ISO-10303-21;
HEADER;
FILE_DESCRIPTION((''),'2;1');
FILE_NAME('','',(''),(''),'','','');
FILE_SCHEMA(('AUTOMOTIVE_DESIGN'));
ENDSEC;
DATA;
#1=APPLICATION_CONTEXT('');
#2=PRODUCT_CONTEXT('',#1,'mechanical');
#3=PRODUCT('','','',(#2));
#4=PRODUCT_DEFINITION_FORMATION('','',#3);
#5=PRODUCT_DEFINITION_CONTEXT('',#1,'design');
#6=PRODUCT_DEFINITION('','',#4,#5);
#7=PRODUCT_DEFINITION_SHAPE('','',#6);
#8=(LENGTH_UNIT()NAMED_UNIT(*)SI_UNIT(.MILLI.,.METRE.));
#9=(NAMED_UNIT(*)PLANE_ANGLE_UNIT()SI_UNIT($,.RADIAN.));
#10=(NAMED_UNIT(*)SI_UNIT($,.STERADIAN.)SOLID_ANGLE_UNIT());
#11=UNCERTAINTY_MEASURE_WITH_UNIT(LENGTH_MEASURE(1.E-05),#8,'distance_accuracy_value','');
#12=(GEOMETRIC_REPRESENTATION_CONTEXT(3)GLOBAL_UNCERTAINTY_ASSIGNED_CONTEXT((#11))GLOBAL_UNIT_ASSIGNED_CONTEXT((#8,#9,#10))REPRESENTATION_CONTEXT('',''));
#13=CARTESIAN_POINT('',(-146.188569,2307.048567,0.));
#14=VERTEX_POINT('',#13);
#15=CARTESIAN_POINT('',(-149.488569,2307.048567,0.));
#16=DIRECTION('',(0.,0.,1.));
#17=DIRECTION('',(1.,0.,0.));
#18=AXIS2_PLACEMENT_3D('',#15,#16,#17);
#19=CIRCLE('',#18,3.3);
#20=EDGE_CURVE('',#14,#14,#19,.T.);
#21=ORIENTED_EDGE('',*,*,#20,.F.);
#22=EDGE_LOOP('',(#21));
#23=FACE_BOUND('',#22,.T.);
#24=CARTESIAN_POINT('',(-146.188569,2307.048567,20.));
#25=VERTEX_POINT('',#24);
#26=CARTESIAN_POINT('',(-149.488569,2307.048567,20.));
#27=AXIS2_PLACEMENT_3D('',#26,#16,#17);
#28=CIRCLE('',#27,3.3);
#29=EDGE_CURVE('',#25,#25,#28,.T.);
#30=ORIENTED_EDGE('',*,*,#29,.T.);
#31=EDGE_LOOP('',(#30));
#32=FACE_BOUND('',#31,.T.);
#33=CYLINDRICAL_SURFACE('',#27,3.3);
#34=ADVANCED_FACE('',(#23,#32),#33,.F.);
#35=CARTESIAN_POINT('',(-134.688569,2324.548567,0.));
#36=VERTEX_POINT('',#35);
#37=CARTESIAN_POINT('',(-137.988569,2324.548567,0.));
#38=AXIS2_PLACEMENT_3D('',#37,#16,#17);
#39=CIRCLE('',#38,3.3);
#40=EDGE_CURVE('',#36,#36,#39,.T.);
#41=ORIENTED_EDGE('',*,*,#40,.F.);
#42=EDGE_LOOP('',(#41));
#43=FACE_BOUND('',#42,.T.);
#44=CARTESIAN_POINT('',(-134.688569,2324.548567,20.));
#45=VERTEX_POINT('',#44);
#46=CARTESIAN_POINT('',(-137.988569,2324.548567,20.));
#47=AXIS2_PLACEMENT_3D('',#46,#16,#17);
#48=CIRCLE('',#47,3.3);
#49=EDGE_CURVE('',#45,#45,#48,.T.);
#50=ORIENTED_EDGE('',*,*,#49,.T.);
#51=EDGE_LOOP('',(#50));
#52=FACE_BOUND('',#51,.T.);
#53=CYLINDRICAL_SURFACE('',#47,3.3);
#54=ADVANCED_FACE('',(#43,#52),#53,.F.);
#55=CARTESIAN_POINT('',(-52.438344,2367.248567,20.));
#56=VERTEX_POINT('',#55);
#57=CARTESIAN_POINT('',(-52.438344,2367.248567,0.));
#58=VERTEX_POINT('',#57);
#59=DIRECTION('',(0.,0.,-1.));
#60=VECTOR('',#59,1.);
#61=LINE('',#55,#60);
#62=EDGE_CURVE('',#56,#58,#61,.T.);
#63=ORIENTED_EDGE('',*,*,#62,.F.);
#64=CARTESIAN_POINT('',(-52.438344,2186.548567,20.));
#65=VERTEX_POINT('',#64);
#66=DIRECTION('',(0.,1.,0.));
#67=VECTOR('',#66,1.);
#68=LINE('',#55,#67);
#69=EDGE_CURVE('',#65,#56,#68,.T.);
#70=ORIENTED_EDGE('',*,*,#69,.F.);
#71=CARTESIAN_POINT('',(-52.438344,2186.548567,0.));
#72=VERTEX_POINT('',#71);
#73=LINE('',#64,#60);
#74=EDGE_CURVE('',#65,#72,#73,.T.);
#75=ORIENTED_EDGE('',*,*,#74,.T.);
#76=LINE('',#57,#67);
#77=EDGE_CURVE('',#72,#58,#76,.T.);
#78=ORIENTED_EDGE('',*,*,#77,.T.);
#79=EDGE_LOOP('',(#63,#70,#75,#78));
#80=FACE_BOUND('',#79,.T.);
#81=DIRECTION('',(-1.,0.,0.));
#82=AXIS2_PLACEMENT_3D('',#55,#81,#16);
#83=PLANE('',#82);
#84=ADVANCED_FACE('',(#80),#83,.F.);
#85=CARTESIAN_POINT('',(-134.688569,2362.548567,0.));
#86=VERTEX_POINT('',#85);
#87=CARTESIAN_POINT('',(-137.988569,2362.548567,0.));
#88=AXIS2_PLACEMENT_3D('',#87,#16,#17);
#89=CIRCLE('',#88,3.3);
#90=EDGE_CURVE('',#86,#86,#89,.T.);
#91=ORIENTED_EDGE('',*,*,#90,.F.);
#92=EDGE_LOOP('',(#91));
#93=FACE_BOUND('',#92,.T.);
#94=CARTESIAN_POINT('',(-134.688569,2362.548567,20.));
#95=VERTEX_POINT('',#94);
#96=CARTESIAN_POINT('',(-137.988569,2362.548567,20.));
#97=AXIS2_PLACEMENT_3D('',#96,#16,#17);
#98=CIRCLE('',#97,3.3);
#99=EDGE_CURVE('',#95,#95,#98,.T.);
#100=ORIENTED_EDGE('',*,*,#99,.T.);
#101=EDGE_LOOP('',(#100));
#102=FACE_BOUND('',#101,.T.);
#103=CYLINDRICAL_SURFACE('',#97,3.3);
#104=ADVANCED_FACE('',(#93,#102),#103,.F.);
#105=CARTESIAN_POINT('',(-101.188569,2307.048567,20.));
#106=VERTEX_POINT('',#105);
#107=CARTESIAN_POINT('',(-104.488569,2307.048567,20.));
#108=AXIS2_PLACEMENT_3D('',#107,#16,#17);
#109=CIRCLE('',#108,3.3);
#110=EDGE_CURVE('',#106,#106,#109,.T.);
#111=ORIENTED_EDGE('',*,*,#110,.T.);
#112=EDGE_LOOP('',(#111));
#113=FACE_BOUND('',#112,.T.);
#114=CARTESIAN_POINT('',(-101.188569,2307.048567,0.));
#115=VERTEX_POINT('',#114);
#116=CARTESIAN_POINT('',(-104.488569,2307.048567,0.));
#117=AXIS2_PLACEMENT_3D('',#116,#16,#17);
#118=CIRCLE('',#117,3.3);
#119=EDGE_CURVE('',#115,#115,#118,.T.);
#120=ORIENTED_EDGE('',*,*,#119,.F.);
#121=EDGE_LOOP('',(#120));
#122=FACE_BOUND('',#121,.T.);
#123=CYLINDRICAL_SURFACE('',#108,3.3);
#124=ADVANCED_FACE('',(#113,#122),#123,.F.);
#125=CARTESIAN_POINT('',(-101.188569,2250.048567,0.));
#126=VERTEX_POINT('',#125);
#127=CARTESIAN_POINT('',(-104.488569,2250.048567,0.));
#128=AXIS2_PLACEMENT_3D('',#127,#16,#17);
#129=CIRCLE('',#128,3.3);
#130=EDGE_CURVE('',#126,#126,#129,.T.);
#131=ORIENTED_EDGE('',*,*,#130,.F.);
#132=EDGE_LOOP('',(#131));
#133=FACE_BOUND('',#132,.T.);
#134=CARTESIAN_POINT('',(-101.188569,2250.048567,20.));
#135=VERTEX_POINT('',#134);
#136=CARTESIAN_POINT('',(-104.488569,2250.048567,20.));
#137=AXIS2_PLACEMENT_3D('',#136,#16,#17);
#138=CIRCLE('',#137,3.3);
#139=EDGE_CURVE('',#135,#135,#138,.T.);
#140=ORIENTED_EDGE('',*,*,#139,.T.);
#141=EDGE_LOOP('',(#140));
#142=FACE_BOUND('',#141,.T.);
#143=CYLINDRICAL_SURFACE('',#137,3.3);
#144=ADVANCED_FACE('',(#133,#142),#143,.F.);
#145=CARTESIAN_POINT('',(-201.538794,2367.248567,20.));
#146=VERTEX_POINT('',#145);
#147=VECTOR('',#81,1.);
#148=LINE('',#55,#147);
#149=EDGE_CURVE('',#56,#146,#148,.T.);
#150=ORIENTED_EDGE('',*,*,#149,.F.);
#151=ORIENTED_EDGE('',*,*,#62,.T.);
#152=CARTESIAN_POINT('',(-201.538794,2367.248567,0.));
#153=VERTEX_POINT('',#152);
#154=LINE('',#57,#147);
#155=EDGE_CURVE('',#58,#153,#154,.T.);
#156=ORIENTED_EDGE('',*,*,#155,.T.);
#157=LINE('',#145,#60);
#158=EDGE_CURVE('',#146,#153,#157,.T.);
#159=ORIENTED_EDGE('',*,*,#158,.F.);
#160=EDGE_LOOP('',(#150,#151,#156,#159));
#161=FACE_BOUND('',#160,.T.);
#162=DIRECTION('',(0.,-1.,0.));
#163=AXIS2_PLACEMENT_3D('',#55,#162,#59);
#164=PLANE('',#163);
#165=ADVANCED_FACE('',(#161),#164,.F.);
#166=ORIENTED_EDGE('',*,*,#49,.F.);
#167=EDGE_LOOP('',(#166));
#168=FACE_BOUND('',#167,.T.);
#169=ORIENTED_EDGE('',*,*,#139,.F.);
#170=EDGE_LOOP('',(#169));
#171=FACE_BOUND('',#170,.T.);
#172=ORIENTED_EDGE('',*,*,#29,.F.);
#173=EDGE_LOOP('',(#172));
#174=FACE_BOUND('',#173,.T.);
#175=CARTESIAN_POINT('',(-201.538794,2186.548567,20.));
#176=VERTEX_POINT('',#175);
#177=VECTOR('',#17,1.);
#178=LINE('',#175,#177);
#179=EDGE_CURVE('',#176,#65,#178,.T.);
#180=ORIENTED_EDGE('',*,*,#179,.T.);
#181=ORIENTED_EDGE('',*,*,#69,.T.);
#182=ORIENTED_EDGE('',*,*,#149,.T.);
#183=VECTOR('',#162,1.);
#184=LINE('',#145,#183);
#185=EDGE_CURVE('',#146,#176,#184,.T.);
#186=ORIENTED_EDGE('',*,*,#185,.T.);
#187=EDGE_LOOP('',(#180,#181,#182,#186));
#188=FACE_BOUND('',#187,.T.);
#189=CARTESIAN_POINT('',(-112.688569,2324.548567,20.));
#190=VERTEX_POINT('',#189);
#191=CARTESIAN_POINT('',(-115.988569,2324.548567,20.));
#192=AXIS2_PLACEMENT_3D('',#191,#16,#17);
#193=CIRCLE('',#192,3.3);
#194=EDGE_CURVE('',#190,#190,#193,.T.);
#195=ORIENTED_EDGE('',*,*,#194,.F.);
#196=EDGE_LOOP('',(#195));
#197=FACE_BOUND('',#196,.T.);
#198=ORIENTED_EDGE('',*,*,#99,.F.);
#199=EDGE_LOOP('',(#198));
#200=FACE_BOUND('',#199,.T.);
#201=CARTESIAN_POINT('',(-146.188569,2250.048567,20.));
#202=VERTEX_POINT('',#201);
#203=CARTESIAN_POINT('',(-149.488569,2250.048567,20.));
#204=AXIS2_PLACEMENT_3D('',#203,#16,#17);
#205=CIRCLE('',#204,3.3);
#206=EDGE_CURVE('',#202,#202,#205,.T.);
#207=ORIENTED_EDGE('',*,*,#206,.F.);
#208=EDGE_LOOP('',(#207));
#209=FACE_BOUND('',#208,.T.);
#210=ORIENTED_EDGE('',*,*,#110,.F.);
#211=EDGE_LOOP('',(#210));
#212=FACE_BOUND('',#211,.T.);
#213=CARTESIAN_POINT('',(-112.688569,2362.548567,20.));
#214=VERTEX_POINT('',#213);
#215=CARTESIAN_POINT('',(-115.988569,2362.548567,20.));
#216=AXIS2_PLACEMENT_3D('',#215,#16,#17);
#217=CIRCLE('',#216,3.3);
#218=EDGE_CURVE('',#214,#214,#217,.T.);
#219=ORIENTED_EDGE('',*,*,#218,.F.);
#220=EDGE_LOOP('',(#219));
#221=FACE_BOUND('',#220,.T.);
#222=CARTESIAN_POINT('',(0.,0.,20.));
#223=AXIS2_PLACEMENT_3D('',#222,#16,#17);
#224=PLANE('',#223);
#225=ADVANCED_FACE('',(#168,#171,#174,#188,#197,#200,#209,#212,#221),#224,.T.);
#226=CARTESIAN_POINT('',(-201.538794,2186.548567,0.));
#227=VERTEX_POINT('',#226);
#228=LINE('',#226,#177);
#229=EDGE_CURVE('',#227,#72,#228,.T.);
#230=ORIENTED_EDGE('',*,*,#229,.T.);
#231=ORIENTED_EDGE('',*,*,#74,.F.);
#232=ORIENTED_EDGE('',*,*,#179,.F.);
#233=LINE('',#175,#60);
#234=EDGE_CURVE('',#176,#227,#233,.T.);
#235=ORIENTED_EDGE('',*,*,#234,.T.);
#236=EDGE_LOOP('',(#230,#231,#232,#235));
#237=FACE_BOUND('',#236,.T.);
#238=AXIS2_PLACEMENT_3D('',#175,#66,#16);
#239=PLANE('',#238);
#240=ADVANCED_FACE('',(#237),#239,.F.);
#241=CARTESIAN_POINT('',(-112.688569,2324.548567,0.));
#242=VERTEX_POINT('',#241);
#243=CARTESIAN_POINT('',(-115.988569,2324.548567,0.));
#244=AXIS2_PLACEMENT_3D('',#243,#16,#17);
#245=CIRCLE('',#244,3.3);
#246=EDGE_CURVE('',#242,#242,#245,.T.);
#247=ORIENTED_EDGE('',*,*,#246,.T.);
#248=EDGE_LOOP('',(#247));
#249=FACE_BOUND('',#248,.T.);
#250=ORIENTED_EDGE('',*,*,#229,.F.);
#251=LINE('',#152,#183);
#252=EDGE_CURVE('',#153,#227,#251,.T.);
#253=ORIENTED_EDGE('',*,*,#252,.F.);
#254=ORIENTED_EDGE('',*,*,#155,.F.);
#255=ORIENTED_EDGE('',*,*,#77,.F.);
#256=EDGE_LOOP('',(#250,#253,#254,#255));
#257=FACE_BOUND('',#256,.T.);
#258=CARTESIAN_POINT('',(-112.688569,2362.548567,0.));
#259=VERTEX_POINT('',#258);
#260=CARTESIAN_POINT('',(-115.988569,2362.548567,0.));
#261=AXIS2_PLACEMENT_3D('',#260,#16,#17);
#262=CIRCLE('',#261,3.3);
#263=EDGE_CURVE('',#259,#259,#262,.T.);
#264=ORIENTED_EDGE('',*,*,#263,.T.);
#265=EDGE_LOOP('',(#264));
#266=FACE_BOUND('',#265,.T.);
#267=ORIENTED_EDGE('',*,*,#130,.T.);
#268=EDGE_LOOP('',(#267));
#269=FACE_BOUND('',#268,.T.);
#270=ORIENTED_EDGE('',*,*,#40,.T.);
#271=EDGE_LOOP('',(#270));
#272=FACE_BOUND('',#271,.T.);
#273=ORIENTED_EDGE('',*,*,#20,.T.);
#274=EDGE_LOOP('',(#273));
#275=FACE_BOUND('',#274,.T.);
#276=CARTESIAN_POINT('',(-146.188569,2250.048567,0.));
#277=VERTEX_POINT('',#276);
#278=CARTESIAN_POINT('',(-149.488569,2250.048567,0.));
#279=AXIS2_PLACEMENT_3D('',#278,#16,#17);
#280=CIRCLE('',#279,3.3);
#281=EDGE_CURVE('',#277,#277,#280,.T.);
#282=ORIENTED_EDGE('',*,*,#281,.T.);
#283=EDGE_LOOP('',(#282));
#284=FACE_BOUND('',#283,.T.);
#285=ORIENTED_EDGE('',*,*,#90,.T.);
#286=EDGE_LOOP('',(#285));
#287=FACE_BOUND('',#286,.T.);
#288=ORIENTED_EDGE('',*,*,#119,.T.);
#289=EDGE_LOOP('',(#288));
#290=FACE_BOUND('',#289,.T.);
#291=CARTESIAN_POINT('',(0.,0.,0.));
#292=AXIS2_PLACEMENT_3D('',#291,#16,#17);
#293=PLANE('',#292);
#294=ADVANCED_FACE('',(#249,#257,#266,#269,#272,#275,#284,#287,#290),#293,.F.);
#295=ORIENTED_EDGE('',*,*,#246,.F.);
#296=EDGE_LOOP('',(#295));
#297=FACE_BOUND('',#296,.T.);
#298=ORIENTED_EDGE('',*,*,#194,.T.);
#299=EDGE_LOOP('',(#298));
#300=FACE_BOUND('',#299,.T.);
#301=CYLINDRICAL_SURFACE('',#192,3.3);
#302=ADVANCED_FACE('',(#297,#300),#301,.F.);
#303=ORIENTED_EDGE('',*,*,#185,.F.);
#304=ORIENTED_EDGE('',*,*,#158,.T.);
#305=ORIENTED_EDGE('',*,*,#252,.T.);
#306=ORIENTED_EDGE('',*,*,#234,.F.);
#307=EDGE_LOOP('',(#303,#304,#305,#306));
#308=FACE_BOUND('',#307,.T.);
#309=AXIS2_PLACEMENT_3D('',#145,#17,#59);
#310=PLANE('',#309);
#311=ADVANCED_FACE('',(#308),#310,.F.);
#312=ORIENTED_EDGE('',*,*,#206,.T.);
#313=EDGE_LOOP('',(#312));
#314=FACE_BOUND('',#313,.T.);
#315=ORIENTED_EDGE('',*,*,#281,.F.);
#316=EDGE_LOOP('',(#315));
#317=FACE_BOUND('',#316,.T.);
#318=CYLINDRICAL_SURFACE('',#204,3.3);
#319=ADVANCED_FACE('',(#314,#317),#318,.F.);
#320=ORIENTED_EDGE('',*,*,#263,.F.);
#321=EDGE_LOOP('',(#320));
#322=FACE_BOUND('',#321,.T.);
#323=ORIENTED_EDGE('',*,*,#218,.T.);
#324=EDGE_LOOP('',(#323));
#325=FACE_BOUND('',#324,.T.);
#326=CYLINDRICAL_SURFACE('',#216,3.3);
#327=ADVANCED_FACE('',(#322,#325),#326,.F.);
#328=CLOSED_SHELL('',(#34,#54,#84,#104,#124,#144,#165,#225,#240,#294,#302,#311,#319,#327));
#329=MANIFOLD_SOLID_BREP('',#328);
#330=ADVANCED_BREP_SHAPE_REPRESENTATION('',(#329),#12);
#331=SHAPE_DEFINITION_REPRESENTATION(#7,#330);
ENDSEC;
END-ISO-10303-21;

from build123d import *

# Parameters (mm, degrees)
SKETCH1_W                = 149.100450595
SKETCH1_H                = 180.7
BOSS_EXTRUDE1_DEPTH      = 20
M6_CLEARANCE_HOLE1_D     = 6.6
M6_CLEARANCE_HOLE1_DEPTH = 36.6
M6_CLEARANCE_HOLE1_TIP   = 1.982840043


with BuildPart() as part:
    # Sketch1 → Boss-Extrude1 (new body)
    with BuildSketch(Plane.XY):
        with Locations((-126.988568818, 2276.898566852)):
            Rectangle(SKETCH1_W, SKETCH1_H)
    extrude(amount=BOSS_EXTRUDE1_DEPTH)

    # M6 Clearance Hole1
    with Locations(Plane.XY.offset(20)):
        with Locations((-149.488568817, 2307.048566852), (-104.488568817, 2307.048566852), (-104.488568817, 2250.048566852), (-149.488568817, 2250.048566852), (-137.988568818, 2362.548566852), (-137.988568818, 2324.548566852), (-115.988568818, 2324.548566852), (-115.988568818, 2362.548566852)):
            Hole(M6_CLEARANCE_HOLE1_D / 2, depth=M6_CLEARANCE_HOLE1_DEPTH)
            with Locations((0, 0, -(M6_CLEARANCE_HOLE1_DEPTH + M6_CLEARANCE_HOLE1_TIP / 2))):  # 118° drill point
                Cone(0, M6_CLEARANCE_HOLE1_D / 2, M6_CLEARANCE_HOLE1_TIP, mode=Mode.SUBTRACT)


solid = part.part
